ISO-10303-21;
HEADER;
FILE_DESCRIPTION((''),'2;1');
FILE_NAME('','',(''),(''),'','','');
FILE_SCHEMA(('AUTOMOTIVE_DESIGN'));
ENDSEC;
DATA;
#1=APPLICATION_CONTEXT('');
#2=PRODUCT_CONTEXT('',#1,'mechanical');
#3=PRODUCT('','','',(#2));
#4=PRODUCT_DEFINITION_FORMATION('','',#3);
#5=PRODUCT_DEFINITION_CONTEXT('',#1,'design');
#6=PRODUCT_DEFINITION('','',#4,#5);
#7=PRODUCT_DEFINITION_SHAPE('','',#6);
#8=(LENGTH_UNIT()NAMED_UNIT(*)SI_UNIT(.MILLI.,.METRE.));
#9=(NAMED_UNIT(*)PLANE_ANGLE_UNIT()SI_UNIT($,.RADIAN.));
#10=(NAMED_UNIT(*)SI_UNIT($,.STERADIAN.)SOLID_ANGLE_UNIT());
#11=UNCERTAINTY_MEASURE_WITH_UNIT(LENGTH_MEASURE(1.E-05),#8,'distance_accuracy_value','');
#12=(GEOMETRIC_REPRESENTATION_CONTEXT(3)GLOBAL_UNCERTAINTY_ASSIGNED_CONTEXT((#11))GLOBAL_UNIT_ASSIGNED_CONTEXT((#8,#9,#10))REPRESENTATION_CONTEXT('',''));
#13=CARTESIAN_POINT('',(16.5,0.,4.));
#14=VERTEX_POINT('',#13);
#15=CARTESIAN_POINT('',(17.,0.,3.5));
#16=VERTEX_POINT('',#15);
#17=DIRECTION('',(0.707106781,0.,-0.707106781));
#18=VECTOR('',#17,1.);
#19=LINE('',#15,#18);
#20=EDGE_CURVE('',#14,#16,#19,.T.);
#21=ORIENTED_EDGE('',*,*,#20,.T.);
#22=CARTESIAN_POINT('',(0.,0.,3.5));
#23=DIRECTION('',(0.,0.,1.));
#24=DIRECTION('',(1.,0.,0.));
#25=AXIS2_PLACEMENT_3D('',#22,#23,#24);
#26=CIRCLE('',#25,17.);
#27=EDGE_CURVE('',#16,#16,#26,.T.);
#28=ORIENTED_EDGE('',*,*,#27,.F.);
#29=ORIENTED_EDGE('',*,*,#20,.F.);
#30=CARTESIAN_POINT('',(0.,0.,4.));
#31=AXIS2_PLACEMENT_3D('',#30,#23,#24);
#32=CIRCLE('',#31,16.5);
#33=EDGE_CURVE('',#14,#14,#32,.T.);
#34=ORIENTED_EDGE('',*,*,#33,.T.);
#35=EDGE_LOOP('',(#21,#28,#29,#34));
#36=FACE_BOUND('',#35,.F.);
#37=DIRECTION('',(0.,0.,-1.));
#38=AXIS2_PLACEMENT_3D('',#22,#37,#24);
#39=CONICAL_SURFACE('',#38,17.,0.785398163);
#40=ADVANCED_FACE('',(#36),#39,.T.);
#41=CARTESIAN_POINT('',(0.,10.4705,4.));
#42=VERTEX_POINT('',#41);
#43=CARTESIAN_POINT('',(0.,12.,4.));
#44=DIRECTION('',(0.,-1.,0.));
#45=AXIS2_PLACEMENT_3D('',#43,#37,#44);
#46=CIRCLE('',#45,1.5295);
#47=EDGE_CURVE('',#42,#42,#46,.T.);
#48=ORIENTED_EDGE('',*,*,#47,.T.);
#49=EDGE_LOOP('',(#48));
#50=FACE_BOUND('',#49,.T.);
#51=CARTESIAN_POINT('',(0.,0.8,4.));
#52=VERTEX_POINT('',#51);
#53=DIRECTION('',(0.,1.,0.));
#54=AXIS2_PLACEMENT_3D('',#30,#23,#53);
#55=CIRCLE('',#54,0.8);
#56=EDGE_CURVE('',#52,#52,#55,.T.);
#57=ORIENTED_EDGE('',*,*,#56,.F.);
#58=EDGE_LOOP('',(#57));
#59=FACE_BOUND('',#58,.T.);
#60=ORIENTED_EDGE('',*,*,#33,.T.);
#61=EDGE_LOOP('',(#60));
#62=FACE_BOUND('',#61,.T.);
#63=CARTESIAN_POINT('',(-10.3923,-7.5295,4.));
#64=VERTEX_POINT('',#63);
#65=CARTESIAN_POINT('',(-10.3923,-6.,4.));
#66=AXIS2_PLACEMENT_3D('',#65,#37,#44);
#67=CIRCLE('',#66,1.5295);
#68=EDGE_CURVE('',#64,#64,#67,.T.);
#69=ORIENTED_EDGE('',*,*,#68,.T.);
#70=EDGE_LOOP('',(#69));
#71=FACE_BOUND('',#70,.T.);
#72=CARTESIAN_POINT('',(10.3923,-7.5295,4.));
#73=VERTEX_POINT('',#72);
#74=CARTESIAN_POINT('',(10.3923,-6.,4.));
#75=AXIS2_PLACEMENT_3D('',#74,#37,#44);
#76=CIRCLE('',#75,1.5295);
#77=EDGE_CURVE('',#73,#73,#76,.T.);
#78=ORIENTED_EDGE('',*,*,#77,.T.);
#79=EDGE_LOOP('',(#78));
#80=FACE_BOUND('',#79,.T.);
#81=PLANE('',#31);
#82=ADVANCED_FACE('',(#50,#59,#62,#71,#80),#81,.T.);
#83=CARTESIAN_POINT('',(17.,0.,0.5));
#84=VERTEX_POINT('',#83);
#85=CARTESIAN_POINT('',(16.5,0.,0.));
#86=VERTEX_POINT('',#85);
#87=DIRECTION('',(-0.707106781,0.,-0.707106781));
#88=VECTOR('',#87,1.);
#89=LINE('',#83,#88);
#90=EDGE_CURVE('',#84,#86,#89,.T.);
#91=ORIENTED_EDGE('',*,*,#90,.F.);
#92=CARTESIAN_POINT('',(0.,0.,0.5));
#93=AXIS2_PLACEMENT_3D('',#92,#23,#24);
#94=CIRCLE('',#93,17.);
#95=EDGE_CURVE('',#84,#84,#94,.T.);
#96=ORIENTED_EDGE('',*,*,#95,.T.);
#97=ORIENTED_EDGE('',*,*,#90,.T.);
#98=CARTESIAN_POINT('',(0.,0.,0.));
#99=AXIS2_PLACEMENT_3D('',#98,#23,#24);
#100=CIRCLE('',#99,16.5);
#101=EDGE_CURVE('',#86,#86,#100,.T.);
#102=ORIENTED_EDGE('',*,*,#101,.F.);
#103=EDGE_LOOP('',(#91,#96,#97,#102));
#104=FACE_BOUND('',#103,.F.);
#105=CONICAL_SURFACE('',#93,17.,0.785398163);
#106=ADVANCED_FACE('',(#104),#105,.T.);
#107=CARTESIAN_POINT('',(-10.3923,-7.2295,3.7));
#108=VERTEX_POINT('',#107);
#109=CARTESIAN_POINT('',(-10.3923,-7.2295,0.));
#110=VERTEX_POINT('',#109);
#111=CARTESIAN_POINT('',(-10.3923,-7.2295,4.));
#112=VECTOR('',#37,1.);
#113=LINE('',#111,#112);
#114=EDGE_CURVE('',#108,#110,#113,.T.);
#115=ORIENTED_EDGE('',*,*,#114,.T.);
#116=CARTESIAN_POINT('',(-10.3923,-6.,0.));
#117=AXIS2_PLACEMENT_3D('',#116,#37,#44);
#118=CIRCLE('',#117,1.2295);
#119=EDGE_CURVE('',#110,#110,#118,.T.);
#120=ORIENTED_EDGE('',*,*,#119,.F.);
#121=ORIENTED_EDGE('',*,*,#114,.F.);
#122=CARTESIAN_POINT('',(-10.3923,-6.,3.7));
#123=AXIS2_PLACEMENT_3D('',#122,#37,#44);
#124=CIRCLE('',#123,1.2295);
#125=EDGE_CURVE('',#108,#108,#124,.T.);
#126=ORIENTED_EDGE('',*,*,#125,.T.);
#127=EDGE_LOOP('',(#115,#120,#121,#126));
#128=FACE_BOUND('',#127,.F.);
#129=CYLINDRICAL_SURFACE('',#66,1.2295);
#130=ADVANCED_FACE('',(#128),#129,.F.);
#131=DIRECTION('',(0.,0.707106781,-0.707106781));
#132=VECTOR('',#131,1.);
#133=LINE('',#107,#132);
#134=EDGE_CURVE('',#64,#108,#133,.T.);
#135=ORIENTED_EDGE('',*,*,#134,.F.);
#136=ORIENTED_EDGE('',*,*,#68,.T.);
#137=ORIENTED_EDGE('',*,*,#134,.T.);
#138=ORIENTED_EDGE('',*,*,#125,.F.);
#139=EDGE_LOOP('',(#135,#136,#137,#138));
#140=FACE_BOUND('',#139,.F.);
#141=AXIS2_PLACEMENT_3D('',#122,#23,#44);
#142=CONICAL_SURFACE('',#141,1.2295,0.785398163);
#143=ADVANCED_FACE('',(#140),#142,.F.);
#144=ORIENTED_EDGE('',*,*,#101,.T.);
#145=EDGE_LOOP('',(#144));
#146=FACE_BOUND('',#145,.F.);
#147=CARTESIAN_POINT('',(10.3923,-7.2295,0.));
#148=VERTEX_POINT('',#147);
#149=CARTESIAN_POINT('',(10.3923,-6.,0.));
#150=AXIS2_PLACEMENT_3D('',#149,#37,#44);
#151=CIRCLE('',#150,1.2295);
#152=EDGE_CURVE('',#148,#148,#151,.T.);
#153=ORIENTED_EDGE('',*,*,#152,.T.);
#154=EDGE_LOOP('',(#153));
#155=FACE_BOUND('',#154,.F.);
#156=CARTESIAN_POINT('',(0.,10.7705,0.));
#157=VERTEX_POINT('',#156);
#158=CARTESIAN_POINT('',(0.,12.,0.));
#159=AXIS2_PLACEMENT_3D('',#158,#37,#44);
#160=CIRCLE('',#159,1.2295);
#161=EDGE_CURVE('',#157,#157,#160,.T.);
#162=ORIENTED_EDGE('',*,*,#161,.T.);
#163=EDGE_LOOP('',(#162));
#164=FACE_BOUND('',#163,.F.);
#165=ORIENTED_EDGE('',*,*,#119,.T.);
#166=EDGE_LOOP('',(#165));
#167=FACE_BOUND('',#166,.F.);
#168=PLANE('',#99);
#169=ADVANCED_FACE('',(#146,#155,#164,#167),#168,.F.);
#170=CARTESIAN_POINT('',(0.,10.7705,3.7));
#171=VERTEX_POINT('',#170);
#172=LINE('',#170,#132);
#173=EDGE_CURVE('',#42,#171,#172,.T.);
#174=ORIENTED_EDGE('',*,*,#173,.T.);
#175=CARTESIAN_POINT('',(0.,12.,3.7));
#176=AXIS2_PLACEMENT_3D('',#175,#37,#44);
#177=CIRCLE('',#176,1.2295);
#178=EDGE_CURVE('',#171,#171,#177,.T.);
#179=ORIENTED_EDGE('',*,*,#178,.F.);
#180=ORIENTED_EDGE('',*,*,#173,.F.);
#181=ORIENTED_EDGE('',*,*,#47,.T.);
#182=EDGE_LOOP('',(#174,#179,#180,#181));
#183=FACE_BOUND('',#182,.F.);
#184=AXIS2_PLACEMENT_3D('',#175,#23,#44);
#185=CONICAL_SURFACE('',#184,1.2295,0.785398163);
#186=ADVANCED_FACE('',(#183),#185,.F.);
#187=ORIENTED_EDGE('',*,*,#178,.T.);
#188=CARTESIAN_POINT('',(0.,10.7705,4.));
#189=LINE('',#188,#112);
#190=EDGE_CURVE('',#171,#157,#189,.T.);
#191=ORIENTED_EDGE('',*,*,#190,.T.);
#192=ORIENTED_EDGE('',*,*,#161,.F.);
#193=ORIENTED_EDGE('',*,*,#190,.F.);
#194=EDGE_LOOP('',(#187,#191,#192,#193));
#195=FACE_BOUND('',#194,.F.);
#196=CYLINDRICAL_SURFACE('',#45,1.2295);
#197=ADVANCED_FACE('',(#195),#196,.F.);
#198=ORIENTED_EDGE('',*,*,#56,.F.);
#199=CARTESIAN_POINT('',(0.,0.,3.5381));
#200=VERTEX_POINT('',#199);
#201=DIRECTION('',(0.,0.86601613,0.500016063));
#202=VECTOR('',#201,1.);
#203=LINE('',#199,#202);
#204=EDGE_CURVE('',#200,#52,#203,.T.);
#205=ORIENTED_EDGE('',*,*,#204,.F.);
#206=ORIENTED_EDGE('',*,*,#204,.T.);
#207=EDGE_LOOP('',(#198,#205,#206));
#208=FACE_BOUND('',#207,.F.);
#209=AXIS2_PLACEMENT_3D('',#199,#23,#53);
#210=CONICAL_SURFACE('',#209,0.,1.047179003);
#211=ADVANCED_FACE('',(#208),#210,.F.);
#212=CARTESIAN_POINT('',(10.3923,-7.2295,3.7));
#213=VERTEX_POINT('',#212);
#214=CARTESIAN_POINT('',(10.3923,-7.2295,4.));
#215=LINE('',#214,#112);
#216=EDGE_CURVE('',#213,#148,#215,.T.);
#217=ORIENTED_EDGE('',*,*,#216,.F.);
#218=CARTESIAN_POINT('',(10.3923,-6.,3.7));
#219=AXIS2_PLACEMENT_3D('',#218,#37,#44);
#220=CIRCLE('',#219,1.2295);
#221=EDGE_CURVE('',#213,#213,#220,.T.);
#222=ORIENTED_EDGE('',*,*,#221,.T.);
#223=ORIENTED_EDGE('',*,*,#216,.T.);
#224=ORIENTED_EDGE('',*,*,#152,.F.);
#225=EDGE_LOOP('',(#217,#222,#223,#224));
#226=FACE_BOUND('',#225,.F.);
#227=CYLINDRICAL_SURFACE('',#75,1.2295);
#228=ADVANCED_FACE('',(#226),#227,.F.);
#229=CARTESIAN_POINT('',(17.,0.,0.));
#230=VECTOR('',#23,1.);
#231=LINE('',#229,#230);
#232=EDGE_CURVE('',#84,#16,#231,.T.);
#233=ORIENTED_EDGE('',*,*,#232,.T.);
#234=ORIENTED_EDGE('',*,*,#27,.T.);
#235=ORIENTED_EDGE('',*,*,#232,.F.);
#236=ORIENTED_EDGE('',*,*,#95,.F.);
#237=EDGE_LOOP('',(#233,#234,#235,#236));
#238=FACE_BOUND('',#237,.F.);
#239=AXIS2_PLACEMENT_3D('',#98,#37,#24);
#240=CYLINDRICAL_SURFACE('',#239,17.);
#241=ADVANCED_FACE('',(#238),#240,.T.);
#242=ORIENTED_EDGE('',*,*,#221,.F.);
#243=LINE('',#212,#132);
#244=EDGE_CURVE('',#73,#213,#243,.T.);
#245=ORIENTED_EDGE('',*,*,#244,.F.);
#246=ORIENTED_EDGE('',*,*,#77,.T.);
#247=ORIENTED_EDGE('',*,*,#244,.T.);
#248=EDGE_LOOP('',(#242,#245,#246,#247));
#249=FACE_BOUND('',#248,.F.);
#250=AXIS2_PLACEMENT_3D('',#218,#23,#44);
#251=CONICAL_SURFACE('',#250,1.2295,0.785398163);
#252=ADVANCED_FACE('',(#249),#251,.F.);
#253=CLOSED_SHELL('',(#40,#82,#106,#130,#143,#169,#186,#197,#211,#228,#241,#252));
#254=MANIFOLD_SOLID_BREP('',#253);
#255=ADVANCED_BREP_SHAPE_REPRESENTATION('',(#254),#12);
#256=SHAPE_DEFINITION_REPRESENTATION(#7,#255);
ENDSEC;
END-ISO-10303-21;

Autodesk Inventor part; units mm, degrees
ref_plane "YZ Plane" through (0, 0, 0) normal (1, 0, 0) x (0, 1, 0)
ref_plane "XZ Plane" through (0, 0, 0) normal (0, 1, 0) x (-1, 0, 0)
sketch "Sketch1" plane through (0, 0, 0) normal (0, 0, 1) x (1, 0, 0)
  circle A0 centre (0, 0) radius 17
  dimension "d0" = 34
extrude "Extrusion1" add sketch "Sketch1" along normal blind 4
sketch "Sketch2" plane through (0, 0, 0) normal (1, 0, 0) x (0, 1, 0)
  line L0 (17, 4) -> (-17, 4) projected
  line L1 (0, 4) -> (0.8, 4)
  line L2 (0, 4) -> (0, 3.5381)
  line L3 (0, 3.5381) -> (0.8, 4)
  line L4 (0, -0.8) -> (0, 4.8) projected
  point P0 (0, 0)
  dimension "d3" = 0.8
  dimension "d40" = 60
revolve "Revolution1" cut sketch "Sketch2" angle 360 about axis through (0, 0, -10) along (0, 0, 1)
ref_plane "Work Plane1" through (0, 0, 4) normal (0, 0, 1) x (1, 0, 0)
sketch "Sketch3" plane through (0, 0, 4) normal (0, 0, 1) x (1, 0, 0)
  circle A0 centre (0, 0) radius 12
  point P0 (0, 12)
  point P1 (-10.3923, -6)
  point P2 (10.3923, -6)
  dimension "d7" = 24
  dimension "d10" = 360
hole "Hole7" at (0, 12, 4) at (-10.3923, -6, 4) at (10.3923, -6, 4) direction (0, 0, -1) diameter 2.459 end through all thread size "M3x0.5" class "6H" standard "ISO Metric profile"
chamfer "Chamfer2" distance 0.3 angle 45 3 edges at (-10.3923, -4.7705, 4) (10.3923, -4.7705, 4) (0, 13.2295, 4)
chamfer "Chamfer3" distance 0.5 angle 45 2 edges at (-17, 0, 4) (-17, 0, 0)
sketch "Sketch4" plane through (0, 0, 4) normal (0, 0, 1) x (1, 0, 0)
  point P0 (-51.4403, -28.5545)
  point P1 (-61.8326, -46.5545)
  point P2 (-72.2249, -28.5545)
sketch "Sketch5" plane through (0, 0, 4) normal (0, 0, 1) x (1, 0, 0)
  point P0 (-51.4403, -28.5545)
  point P1 (-61.8326, -46.5545)
  point P2 (-72.2249, -28.5545)
sketch "Sketch6" plane through (0, 0, 4) normal (0, 0, 1) x (1, 0, 0)
  point P0 (-51.4403, -28.5545)
properties part number "podporka_pajaka" material "Aluminium 6061"
